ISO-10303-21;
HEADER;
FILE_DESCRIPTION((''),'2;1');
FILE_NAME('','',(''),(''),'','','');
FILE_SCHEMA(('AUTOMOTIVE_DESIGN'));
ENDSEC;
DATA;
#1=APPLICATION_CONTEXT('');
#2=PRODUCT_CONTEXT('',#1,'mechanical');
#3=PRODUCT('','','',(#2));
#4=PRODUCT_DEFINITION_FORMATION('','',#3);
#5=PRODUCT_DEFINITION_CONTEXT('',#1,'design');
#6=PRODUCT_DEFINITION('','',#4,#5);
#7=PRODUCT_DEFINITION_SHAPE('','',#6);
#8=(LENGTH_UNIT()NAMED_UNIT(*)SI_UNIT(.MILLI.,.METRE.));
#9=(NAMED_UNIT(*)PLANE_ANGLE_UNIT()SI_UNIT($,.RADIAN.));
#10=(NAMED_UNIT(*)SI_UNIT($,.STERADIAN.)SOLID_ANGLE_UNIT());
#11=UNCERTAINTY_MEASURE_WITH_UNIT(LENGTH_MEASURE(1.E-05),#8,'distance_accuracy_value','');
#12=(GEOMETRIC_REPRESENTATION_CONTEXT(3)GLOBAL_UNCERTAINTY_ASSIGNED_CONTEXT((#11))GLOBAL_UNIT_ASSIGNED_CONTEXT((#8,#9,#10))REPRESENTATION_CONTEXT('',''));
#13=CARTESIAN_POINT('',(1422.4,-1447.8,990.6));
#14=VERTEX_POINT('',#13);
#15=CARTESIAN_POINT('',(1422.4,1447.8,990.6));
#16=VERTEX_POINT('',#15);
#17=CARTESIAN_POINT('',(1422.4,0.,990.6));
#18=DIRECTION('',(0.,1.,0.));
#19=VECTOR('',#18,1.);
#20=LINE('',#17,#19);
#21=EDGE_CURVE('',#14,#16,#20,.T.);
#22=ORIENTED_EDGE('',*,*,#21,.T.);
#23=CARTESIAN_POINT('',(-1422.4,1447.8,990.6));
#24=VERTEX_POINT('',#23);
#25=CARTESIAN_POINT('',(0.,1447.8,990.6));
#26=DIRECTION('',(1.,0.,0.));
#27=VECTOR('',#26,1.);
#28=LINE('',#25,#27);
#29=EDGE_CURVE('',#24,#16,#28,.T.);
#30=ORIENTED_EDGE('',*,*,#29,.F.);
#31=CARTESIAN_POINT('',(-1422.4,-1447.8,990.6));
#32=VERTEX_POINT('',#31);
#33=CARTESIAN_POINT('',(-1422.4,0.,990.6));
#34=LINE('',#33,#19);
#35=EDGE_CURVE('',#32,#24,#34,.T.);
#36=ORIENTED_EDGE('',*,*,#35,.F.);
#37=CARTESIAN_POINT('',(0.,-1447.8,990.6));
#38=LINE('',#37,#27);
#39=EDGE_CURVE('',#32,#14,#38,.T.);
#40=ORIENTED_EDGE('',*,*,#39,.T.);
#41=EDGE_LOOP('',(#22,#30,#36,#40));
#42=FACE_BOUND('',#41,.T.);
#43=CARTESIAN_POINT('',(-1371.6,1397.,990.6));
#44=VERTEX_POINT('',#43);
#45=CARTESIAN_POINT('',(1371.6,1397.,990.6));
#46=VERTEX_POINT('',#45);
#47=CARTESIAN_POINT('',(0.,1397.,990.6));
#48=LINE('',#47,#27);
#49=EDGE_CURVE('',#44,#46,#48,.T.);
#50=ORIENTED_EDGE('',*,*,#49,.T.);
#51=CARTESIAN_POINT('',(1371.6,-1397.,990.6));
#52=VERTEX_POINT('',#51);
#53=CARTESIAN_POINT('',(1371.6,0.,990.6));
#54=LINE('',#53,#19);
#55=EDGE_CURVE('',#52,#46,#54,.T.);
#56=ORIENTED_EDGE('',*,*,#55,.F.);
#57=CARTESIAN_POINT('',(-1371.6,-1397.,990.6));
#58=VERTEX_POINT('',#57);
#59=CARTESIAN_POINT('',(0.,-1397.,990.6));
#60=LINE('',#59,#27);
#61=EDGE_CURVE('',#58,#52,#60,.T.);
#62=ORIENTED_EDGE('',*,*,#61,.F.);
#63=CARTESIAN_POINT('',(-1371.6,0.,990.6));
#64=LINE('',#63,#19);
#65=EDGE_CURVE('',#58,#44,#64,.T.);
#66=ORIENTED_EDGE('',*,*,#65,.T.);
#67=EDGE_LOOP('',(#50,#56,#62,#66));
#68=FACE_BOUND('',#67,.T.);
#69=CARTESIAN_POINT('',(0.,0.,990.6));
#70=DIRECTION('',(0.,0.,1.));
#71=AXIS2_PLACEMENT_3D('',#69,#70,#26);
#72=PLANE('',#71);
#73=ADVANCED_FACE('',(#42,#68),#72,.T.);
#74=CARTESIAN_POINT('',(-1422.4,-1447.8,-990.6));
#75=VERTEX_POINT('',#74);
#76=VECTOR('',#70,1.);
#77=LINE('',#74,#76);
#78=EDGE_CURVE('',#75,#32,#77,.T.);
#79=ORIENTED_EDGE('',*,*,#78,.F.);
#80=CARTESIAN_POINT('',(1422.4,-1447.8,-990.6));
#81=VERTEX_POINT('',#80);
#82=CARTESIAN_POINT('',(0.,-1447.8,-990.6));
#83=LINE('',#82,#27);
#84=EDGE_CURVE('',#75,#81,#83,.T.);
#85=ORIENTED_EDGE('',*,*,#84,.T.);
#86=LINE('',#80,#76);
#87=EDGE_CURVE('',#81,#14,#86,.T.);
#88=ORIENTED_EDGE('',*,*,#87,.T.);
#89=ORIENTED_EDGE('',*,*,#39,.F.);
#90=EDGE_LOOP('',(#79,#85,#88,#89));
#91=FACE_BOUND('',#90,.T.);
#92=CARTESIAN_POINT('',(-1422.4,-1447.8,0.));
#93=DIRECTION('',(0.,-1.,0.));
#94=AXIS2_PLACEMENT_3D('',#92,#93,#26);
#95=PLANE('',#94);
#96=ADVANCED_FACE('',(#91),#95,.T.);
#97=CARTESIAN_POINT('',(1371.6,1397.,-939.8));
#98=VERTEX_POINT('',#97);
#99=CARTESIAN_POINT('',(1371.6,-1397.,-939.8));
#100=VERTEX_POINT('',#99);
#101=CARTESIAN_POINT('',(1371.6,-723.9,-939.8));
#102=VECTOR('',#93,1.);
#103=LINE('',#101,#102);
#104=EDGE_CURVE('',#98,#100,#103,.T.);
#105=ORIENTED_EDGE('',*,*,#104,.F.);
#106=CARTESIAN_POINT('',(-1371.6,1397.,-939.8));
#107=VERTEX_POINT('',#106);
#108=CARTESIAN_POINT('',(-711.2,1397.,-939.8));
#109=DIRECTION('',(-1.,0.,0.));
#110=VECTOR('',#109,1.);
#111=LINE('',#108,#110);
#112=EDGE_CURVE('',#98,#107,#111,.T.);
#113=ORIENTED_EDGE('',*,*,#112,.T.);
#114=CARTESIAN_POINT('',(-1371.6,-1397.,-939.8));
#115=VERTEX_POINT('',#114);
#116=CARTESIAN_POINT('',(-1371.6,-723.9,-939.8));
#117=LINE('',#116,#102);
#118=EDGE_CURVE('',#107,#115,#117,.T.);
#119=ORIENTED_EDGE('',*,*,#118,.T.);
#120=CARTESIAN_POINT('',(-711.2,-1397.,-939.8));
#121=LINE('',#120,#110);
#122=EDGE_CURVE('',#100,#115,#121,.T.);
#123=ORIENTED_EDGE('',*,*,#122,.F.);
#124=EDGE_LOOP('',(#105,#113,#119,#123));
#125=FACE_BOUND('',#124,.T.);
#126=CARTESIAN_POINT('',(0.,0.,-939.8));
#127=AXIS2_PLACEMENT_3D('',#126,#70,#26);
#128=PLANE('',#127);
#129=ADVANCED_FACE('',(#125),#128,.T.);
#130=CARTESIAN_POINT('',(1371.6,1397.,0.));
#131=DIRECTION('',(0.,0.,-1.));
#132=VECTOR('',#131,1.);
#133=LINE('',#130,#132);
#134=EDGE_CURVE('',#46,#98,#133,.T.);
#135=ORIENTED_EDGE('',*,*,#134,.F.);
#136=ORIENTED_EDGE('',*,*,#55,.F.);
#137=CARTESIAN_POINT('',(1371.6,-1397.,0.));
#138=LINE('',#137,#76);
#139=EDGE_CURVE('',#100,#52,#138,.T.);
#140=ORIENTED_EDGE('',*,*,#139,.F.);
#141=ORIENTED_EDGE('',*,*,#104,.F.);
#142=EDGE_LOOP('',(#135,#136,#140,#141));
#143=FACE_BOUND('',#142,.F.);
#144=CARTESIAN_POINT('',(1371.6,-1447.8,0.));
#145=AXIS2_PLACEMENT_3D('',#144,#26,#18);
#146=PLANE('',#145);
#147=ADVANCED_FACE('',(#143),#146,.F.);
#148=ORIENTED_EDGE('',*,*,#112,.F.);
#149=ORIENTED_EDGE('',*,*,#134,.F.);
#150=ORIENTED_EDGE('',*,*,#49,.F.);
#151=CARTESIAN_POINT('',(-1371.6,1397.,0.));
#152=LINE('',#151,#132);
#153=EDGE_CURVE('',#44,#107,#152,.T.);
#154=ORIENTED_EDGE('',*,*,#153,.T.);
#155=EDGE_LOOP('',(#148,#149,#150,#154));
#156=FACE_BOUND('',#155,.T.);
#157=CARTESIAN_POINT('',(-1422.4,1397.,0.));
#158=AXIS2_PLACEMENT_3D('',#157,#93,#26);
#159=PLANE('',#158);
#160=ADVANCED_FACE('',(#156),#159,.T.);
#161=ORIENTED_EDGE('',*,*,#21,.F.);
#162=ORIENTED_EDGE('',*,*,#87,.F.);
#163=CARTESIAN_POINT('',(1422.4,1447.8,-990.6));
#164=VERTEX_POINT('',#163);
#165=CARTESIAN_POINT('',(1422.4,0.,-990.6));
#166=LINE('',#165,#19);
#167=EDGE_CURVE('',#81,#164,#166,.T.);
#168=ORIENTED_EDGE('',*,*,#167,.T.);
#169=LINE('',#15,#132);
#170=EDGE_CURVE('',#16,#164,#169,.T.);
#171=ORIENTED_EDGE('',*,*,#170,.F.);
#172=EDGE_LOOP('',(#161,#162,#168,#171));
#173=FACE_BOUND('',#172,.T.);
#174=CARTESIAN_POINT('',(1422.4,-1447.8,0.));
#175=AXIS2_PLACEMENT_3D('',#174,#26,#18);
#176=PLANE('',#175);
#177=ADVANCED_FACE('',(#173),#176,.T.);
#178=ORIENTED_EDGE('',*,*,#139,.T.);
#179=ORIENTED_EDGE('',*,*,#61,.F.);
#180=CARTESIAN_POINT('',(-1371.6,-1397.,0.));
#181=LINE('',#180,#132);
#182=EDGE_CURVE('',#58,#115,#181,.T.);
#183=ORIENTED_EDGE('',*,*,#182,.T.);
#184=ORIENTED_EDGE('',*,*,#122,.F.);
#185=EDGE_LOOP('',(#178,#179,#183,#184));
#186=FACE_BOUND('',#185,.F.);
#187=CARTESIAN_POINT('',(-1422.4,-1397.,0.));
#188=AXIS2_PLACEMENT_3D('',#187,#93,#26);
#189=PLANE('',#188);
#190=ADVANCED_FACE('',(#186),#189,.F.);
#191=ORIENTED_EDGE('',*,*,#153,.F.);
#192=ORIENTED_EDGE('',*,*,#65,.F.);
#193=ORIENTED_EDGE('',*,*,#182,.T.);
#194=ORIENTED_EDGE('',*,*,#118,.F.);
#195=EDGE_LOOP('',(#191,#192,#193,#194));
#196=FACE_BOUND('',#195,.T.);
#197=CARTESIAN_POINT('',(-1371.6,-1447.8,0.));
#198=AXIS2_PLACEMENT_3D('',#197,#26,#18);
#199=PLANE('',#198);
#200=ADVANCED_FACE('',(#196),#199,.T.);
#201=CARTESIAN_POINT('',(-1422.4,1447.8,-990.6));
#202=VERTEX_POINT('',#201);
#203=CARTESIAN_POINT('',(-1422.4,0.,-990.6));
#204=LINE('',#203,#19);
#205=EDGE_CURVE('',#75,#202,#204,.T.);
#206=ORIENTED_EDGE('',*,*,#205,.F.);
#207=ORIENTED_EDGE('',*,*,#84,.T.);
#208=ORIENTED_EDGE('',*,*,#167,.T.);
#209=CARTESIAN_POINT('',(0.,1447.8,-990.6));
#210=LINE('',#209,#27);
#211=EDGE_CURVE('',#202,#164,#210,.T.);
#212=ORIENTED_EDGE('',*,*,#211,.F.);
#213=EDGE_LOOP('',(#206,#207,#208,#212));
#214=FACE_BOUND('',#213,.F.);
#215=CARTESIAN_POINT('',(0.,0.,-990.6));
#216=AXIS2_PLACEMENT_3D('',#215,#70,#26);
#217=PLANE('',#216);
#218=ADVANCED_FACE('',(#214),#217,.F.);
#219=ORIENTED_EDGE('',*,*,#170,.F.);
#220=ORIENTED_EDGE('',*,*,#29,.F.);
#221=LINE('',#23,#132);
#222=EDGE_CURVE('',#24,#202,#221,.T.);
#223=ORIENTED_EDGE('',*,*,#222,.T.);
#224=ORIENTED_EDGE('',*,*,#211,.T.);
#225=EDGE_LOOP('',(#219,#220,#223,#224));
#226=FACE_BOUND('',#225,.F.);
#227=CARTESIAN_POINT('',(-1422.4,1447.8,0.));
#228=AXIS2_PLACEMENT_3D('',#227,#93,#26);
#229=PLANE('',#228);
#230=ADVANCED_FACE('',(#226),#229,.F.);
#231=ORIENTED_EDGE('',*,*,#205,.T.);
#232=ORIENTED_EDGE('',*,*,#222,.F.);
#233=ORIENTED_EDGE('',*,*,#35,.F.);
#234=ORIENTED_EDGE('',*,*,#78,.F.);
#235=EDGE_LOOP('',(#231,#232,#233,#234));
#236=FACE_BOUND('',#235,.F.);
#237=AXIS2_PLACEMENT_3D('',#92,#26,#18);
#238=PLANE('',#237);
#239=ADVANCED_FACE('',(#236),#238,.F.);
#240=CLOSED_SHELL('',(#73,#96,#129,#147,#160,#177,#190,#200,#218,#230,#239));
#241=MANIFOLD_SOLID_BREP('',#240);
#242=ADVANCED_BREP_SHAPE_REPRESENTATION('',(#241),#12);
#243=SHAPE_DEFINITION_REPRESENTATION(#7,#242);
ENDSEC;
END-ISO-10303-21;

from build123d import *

# Parameters (mm, degrees)
F0_W     = 2844.8
F0_H     = 2895.6
F1_DEPTH = 990.6
F2_T     = -50.8


with BuildPart() as f1:
    # F0 (on Top) → F1 (new body, symmetric)
    with BuildSketch(Plane.XY):
        Rectangle(F0_W, F0_H)
    extrude(amount=F1_DEPTH, both=True)

    # F2
    f2_openings = [f1.faces().sort_by_distance(p)[0] for p in [
        (0, 0, 990.6),
    ]]
    offset(amount=F2_T, openings=f2_openings)


solid = f1.part
